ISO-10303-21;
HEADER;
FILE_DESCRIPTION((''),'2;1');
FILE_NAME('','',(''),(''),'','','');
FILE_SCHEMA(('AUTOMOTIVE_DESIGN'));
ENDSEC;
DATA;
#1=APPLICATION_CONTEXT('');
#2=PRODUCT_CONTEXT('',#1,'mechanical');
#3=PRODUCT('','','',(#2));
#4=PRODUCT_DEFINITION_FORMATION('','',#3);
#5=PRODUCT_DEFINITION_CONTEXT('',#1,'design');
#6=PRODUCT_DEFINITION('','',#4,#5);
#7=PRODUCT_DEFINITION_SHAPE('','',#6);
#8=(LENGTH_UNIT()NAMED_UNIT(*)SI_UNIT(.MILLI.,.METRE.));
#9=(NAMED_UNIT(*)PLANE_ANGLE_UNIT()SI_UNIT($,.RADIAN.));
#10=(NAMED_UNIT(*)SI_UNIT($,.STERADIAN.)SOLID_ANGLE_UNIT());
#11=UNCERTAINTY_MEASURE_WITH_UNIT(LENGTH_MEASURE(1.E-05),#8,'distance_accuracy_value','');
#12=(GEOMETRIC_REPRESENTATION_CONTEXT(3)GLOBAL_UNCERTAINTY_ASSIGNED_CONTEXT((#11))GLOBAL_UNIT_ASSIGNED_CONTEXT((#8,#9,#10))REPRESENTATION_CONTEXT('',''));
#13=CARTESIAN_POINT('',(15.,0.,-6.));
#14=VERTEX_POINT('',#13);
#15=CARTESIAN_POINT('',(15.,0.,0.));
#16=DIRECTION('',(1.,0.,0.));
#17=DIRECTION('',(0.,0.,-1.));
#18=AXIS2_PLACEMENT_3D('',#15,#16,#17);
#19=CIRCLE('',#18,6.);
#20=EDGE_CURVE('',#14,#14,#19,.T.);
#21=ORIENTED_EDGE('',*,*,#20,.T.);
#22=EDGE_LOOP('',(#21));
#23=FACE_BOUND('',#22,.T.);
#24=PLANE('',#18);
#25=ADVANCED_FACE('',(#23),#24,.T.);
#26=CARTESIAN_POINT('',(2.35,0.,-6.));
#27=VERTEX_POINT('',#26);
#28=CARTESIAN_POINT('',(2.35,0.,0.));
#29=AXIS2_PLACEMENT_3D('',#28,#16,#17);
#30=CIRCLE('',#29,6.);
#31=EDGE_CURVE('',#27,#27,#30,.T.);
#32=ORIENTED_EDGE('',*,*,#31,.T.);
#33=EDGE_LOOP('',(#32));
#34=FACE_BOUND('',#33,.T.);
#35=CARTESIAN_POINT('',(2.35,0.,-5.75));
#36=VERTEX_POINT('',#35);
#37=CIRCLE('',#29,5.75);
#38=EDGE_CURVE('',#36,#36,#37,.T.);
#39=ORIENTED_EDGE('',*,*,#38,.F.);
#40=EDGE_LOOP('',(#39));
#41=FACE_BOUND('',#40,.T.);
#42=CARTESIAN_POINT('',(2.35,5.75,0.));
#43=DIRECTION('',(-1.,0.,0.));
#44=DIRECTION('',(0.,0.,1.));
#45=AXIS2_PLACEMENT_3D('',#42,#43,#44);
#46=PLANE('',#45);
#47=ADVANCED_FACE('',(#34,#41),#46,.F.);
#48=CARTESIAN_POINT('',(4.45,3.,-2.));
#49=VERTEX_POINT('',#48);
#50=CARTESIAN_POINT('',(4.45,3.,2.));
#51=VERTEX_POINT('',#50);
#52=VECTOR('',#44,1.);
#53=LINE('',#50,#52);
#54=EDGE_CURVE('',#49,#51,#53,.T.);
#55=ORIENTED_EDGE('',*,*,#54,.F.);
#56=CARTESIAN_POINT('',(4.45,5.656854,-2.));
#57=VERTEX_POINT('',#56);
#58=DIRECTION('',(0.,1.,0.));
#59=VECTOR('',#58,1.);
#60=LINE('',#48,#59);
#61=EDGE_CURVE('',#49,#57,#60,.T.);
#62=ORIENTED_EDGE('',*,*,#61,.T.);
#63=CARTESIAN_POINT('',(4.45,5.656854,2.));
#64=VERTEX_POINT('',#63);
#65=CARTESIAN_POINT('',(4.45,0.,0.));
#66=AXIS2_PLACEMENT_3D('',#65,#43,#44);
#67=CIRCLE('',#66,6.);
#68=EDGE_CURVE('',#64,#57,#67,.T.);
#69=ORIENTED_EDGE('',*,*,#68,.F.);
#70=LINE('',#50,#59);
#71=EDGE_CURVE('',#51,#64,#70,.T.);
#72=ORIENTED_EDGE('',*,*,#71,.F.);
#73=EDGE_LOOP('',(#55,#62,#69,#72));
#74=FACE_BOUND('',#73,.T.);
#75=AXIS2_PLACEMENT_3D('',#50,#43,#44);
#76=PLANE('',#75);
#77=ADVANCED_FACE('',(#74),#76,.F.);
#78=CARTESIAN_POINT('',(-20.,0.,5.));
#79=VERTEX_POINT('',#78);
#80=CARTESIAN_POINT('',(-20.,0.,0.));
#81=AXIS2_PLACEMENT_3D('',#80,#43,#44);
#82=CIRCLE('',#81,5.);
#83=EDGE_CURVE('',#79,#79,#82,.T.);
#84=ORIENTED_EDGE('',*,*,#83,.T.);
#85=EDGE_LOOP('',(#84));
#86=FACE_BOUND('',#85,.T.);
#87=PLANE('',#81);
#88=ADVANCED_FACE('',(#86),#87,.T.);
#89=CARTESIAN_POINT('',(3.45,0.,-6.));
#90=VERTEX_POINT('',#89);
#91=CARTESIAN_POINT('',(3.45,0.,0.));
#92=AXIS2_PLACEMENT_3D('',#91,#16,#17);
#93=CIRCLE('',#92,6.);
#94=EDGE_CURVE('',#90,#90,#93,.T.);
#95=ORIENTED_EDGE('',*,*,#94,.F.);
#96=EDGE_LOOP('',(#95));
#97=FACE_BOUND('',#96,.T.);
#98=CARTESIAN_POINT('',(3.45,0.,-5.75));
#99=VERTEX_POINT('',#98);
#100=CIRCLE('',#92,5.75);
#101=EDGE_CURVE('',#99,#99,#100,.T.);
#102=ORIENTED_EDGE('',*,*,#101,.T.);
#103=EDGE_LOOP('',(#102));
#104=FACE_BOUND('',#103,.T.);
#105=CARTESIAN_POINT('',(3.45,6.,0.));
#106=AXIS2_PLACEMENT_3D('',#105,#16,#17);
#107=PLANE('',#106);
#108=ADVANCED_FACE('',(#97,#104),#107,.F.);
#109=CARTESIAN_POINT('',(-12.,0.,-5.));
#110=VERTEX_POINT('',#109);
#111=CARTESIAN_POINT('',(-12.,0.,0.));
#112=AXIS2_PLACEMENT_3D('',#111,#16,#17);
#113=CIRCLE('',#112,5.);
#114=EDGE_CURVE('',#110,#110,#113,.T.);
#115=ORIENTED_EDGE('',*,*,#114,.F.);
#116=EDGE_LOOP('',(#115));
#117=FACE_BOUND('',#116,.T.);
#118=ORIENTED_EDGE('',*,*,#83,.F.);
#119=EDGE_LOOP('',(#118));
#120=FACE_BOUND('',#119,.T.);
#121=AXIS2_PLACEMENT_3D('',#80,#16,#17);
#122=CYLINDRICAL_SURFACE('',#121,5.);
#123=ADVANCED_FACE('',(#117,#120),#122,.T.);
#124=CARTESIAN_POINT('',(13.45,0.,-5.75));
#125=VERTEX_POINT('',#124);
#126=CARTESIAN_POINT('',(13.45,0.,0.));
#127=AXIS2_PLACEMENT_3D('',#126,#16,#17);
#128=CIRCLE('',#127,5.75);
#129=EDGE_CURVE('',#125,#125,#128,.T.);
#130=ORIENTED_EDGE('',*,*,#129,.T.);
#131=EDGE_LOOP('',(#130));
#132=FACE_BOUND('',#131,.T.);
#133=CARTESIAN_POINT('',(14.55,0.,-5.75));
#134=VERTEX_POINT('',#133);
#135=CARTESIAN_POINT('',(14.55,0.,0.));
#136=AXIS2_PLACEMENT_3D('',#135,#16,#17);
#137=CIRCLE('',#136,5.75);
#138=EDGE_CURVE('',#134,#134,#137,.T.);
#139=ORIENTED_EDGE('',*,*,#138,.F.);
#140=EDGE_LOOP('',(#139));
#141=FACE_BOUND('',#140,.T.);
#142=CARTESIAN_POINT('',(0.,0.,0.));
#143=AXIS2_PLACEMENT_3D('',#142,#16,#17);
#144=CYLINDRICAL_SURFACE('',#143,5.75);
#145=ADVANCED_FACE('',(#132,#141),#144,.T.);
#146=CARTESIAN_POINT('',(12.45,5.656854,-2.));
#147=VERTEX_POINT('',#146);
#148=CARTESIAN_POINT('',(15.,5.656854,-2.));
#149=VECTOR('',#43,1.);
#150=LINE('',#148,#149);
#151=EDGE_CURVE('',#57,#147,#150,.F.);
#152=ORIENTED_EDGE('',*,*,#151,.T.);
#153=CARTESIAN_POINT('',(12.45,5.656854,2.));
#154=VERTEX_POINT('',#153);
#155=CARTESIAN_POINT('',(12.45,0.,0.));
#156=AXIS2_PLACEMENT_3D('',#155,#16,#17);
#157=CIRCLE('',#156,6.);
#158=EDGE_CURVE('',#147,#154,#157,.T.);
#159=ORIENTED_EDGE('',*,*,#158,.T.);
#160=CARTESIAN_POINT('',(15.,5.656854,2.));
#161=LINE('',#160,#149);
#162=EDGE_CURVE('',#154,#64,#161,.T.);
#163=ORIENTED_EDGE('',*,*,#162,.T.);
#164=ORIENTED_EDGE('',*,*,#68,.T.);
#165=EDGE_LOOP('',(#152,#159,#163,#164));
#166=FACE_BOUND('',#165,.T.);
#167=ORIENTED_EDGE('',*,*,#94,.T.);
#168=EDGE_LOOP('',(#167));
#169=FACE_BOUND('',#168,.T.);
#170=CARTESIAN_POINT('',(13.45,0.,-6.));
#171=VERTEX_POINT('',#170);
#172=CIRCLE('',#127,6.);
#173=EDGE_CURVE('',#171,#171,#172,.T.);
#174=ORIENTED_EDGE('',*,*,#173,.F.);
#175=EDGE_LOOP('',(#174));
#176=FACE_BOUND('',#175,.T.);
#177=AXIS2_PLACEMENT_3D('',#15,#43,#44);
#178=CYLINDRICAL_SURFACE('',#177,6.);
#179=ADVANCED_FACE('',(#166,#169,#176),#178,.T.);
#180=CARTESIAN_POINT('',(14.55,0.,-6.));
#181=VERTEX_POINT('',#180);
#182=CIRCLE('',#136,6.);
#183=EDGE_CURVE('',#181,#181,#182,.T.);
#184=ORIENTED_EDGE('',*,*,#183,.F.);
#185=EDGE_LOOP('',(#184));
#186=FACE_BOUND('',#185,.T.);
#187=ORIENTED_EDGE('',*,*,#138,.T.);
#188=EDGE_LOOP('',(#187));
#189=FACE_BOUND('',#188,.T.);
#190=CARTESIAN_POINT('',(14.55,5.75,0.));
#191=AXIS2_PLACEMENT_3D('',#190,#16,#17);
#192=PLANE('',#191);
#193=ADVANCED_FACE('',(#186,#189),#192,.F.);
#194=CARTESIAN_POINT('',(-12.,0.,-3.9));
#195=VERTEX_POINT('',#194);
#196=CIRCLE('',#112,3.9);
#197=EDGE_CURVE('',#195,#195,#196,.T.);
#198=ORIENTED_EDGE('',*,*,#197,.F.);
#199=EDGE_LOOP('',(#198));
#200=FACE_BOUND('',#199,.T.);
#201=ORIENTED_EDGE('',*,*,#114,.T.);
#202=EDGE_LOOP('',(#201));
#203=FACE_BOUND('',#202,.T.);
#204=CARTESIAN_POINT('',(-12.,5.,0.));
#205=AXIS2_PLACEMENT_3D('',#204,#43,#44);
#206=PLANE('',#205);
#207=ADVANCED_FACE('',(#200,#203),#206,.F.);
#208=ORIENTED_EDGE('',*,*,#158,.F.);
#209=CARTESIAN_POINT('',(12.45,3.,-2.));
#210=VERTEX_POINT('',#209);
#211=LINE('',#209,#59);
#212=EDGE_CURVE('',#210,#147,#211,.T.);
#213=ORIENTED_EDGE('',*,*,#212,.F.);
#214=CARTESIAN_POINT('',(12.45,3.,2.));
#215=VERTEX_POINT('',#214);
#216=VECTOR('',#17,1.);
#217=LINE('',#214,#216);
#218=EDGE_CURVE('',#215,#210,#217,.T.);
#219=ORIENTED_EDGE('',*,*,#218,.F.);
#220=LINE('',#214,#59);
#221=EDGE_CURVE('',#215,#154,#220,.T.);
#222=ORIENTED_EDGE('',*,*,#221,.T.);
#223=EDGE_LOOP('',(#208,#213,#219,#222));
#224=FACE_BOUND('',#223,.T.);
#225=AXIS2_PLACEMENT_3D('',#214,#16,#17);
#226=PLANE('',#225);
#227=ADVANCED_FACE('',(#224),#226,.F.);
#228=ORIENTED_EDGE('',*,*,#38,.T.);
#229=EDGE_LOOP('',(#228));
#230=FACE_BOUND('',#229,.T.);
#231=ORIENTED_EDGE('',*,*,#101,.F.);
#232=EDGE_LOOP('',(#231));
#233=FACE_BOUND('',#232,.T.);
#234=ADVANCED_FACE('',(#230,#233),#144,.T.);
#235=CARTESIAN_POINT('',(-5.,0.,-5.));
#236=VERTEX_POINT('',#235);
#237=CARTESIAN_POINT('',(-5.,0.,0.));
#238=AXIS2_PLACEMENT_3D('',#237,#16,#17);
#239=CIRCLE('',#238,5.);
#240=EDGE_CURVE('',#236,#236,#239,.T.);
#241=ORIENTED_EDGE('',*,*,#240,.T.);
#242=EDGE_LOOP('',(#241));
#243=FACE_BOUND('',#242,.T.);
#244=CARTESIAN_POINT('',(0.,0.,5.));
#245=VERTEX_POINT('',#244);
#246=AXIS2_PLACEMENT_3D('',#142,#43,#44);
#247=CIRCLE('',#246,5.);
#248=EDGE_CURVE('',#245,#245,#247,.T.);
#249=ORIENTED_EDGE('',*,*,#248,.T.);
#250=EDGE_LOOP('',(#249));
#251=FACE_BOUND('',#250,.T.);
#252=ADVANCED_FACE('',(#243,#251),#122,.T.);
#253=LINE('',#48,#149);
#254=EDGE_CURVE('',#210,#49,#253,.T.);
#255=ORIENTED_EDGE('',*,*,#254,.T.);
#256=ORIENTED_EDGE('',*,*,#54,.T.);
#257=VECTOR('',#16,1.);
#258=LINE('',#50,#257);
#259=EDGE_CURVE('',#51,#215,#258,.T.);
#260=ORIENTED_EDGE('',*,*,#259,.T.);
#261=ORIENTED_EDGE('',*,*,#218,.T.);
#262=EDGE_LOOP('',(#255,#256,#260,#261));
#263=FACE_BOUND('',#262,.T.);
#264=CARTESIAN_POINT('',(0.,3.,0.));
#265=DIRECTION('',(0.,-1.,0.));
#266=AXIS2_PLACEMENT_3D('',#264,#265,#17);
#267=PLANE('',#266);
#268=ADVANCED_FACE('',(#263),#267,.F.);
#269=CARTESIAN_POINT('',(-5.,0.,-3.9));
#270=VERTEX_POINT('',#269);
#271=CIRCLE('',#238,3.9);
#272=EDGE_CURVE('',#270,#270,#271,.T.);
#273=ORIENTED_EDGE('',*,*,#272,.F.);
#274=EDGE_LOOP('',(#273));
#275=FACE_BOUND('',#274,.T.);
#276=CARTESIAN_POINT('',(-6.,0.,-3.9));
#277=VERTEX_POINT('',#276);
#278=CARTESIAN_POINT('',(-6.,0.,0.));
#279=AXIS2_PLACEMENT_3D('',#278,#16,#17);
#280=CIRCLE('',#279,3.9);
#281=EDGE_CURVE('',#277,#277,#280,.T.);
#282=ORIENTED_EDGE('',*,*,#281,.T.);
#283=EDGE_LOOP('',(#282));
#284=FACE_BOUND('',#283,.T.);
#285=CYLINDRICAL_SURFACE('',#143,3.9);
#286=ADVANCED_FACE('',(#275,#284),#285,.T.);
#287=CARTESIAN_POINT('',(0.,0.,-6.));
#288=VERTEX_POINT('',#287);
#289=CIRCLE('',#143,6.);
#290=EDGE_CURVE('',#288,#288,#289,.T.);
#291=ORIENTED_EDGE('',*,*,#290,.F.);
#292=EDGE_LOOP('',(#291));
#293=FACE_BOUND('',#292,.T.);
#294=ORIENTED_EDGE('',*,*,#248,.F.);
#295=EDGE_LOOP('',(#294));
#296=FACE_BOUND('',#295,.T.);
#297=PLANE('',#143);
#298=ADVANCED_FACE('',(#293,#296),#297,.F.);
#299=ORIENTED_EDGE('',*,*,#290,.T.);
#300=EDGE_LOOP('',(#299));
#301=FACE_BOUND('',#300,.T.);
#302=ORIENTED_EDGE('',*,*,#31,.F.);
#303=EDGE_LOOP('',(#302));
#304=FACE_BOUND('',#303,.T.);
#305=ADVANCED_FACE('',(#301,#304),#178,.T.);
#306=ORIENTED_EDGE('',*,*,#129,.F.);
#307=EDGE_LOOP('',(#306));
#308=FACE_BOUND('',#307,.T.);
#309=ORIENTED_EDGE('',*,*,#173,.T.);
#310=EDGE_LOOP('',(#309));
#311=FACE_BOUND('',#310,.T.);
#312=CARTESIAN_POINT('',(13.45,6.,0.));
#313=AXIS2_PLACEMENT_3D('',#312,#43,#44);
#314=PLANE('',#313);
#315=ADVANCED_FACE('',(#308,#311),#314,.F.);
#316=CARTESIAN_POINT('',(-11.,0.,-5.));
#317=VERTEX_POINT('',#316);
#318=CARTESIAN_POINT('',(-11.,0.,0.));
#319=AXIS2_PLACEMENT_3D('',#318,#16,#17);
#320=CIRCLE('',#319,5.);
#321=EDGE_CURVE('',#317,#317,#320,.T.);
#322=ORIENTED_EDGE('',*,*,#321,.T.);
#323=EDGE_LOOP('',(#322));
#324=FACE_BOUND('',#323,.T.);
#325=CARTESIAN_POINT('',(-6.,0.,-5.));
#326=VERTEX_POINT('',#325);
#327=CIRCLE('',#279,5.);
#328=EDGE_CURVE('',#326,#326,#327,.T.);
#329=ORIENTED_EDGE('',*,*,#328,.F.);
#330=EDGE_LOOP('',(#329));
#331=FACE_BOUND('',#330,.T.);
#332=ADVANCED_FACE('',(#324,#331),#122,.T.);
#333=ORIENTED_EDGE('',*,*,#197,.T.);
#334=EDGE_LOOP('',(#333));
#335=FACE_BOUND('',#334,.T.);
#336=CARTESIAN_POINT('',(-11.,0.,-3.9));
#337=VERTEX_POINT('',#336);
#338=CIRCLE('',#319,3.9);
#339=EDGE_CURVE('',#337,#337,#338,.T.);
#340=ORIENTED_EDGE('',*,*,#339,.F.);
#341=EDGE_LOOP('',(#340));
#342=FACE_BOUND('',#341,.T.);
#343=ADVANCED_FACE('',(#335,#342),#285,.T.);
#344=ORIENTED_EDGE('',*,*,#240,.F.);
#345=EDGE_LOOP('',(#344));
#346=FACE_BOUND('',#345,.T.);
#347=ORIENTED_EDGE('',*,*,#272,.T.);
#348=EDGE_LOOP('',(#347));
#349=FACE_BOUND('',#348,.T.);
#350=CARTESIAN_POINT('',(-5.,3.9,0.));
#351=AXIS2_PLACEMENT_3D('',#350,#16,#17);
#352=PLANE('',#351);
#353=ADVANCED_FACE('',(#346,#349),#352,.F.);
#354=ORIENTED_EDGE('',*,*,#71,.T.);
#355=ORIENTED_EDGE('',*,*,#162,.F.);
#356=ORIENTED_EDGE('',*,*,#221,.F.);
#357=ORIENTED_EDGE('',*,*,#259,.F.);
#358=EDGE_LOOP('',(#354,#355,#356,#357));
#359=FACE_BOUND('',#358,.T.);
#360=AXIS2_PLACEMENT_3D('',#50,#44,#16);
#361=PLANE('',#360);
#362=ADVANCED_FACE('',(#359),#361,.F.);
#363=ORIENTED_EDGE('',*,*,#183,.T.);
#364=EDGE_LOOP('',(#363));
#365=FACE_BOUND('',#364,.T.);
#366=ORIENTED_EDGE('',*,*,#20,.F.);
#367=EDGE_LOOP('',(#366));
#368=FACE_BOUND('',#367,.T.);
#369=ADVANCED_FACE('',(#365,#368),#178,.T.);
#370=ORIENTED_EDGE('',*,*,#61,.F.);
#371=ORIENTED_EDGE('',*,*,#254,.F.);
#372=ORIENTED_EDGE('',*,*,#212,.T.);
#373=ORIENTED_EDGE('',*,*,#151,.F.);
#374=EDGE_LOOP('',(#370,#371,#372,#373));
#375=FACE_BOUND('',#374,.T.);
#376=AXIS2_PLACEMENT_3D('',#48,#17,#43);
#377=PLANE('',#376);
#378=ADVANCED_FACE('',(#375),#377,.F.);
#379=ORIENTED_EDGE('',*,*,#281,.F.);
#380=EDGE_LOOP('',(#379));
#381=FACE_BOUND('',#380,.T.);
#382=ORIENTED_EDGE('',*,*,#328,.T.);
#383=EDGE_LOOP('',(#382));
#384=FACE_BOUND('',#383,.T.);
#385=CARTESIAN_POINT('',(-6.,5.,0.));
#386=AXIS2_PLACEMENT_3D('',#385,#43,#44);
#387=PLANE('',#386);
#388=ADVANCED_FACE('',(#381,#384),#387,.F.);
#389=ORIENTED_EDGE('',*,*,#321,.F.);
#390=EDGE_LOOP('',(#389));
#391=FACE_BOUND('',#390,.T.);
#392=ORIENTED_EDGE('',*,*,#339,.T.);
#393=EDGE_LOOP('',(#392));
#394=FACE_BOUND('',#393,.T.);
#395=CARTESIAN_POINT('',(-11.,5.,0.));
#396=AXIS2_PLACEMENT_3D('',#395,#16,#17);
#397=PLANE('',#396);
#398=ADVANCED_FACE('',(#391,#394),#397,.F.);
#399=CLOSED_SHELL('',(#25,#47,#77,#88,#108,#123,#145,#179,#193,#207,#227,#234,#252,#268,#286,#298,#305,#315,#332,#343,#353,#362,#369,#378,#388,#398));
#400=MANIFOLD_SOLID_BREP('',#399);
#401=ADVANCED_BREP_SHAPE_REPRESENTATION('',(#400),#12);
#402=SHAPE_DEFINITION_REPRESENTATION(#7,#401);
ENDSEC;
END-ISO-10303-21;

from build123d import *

# Parameters (mm, degrees)
SKETCH1_R           = 6
BOSS_EXTRUDE1_DEPTH = 15
SKETCH2_R           = 5
BOSS_EXTRUDE2_DEPTH = 20
SKETCH3_W           = 8
SKETCH3_H           = 4
CUT_EXTRUDE1_DEPTH  = 3
SKETCH4_W           = 1
SKETCH4_H           = 1.1
SKETCH4_W_2         = 1.1
SKETCH4_H_2         = 0.25


with BuildPart() as part:
    # Sketch1 → Boss-Extrude1 (new body)
    with BuildSketch(Plane(origin=(0, 0, 0), x_dir=(0, 0, -1), z_dir=(1, 0, 0))):
        Circle(SKETCH1_R)
    extrude(amount=BOSS_EXTRUDE1_DEPTH)

    # Sketch2 → Boss-Extrude2 (add)
    with BuildSketch(Plane.ZY):
        Circle(SKETCH2_R)
    extrude(amount=BOSS_EXTRUDE2_DEPTH)

    # Sketch3 → Cut-Extrude1 (cut)
    with BuildSketch(Plane(origin=(0, 6, 0), x_dir=(1, 0, 0), z_dir=(0, 1, 0))):
        with Locations((8.45, 0)):
            Rectangle(SKETCH3_W, SKETCH3_H)
    extrude(amount=-CUT_EXTRUDE1_DEPTH, mode=Mode.SUBTRACT)

    # Sketch4 → Cut-Revolve1 (revolve, cut)
    with BuildSketch(Plane.XY, mode=Mode.PRIVATE) as cut_revolve1_sk:
        with Locations((-5.5, 4.45)):
            Rectangle(SKETCH4_W, SKETCH4_H)
        with Locations((-11.5, 4.45)):
            Rectangle(SKETCH4_W, SKETCH4_H)
        with Locations((2.9, 5.875)):
            Rectangle(SKETCH4_W_2, SKETCH4_H_2)
        with Locations((14, 5.875)):
            Rectangle(SKETCH4_W_2, SKETCH4_H_2)
    revolve(cut_revolve1_sk.sketch.rotate(Axis((0, 0, 0), (-1, 0, 0)), 90), axis=Axis((0, 0, 0), (-1, 0, 0)), mode=Mode.SUBTRACT)


solid = part.part
